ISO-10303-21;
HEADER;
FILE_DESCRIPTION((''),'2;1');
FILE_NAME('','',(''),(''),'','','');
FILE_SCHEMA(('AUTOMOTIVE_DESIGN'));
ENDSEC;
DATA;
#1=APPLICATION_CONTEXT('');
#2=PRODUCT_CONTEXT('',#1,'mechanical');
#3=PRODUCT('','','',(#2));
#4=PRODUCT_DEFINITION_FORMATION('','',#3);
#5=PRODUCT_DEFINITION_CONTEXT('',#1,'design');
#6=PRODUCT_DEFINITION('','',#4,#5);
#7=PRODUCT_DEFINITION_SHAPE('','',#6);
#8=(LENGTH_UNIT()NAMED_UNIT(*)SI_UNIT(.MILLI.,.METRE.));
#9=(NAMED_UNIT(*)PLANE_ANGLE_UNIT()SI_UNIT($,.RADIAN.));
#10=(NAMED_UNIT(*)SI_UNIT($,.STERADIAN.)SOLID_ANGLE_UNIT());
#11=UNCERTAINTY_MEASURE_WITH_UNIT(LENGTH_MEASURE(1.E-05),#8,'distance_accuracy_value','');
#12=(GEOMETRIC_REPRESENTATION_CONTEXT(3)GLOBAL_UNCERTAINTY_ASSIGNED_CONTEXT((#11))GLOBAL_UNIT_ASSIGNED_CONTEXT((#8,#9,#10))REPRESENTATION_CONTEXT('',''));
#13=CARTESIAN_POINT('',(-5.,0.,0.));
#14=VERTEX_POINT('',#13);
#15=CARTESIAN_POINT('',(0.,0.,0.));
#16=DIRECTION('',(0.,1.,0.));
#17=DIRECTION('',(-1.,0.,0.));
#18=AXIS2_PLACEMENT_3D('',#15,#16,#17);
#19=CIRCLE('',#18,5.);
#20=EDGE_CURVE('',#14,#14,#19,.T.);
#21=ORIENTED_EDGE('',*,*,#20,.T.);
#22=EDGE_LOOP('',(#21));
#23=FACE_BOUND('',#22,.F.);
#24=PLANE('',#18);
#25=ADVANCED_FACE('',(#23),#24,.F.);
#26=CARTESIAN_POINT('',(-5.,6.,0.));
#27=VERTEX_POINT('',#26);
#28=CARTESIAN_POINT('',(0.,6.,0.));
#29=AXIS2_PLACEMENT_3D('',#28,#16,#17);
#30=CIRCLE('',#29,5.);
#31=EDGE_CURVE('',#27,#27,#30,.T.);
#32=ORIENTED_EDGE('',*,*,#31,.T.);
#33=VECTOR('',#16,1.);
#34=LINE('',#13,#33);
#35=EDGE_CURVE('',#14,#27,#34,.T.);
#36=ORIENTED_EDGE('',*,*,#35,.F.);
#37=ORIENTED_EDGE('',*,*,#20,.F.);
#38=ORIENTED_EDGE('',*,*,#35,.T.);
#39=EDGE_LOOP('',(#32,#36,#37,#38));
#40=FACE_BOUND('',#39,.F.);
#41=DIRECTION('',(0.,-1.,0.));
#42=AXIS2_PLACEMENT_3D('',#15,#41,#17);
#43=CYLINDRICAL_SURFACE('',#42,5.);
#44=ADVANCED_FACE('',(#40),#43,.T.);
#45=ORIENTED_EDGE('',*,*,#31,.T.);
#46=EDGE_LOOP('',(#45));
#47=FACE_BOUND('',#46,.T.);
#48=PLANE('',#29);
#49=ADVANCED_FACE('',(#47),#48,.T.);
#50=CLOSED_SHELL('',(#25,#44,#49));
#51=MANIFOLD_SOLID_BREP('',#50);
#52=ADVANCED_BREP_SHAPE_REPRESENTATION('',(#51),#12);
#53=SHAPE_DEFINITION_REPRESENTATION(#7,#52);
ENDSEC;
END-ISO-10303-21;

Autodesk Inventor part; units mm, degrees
ref_plane "YZ Plane" through (0, 0, 0) normal (1, 0, 0) x (0, 1, 0)
ref_plane "XZ Plane" through (0, 0, 0) normal (0, 1, 0) x (-1, 0, 0)
ref_plane "XY Plane" through (0, 0, 0) normal (0, 0, 1) x (1, 0, 0)
sketch "Sketch1" plane through (0, 0, 0) normal (0, 1, 0) x (-1, 0, 0)
  circle A0 centre (0, 0) radius 5
  dimension "d0" = 10
extrude "Extrusion1" add sketch "Sketch1" along normal blind 6
properties part number "Button"
